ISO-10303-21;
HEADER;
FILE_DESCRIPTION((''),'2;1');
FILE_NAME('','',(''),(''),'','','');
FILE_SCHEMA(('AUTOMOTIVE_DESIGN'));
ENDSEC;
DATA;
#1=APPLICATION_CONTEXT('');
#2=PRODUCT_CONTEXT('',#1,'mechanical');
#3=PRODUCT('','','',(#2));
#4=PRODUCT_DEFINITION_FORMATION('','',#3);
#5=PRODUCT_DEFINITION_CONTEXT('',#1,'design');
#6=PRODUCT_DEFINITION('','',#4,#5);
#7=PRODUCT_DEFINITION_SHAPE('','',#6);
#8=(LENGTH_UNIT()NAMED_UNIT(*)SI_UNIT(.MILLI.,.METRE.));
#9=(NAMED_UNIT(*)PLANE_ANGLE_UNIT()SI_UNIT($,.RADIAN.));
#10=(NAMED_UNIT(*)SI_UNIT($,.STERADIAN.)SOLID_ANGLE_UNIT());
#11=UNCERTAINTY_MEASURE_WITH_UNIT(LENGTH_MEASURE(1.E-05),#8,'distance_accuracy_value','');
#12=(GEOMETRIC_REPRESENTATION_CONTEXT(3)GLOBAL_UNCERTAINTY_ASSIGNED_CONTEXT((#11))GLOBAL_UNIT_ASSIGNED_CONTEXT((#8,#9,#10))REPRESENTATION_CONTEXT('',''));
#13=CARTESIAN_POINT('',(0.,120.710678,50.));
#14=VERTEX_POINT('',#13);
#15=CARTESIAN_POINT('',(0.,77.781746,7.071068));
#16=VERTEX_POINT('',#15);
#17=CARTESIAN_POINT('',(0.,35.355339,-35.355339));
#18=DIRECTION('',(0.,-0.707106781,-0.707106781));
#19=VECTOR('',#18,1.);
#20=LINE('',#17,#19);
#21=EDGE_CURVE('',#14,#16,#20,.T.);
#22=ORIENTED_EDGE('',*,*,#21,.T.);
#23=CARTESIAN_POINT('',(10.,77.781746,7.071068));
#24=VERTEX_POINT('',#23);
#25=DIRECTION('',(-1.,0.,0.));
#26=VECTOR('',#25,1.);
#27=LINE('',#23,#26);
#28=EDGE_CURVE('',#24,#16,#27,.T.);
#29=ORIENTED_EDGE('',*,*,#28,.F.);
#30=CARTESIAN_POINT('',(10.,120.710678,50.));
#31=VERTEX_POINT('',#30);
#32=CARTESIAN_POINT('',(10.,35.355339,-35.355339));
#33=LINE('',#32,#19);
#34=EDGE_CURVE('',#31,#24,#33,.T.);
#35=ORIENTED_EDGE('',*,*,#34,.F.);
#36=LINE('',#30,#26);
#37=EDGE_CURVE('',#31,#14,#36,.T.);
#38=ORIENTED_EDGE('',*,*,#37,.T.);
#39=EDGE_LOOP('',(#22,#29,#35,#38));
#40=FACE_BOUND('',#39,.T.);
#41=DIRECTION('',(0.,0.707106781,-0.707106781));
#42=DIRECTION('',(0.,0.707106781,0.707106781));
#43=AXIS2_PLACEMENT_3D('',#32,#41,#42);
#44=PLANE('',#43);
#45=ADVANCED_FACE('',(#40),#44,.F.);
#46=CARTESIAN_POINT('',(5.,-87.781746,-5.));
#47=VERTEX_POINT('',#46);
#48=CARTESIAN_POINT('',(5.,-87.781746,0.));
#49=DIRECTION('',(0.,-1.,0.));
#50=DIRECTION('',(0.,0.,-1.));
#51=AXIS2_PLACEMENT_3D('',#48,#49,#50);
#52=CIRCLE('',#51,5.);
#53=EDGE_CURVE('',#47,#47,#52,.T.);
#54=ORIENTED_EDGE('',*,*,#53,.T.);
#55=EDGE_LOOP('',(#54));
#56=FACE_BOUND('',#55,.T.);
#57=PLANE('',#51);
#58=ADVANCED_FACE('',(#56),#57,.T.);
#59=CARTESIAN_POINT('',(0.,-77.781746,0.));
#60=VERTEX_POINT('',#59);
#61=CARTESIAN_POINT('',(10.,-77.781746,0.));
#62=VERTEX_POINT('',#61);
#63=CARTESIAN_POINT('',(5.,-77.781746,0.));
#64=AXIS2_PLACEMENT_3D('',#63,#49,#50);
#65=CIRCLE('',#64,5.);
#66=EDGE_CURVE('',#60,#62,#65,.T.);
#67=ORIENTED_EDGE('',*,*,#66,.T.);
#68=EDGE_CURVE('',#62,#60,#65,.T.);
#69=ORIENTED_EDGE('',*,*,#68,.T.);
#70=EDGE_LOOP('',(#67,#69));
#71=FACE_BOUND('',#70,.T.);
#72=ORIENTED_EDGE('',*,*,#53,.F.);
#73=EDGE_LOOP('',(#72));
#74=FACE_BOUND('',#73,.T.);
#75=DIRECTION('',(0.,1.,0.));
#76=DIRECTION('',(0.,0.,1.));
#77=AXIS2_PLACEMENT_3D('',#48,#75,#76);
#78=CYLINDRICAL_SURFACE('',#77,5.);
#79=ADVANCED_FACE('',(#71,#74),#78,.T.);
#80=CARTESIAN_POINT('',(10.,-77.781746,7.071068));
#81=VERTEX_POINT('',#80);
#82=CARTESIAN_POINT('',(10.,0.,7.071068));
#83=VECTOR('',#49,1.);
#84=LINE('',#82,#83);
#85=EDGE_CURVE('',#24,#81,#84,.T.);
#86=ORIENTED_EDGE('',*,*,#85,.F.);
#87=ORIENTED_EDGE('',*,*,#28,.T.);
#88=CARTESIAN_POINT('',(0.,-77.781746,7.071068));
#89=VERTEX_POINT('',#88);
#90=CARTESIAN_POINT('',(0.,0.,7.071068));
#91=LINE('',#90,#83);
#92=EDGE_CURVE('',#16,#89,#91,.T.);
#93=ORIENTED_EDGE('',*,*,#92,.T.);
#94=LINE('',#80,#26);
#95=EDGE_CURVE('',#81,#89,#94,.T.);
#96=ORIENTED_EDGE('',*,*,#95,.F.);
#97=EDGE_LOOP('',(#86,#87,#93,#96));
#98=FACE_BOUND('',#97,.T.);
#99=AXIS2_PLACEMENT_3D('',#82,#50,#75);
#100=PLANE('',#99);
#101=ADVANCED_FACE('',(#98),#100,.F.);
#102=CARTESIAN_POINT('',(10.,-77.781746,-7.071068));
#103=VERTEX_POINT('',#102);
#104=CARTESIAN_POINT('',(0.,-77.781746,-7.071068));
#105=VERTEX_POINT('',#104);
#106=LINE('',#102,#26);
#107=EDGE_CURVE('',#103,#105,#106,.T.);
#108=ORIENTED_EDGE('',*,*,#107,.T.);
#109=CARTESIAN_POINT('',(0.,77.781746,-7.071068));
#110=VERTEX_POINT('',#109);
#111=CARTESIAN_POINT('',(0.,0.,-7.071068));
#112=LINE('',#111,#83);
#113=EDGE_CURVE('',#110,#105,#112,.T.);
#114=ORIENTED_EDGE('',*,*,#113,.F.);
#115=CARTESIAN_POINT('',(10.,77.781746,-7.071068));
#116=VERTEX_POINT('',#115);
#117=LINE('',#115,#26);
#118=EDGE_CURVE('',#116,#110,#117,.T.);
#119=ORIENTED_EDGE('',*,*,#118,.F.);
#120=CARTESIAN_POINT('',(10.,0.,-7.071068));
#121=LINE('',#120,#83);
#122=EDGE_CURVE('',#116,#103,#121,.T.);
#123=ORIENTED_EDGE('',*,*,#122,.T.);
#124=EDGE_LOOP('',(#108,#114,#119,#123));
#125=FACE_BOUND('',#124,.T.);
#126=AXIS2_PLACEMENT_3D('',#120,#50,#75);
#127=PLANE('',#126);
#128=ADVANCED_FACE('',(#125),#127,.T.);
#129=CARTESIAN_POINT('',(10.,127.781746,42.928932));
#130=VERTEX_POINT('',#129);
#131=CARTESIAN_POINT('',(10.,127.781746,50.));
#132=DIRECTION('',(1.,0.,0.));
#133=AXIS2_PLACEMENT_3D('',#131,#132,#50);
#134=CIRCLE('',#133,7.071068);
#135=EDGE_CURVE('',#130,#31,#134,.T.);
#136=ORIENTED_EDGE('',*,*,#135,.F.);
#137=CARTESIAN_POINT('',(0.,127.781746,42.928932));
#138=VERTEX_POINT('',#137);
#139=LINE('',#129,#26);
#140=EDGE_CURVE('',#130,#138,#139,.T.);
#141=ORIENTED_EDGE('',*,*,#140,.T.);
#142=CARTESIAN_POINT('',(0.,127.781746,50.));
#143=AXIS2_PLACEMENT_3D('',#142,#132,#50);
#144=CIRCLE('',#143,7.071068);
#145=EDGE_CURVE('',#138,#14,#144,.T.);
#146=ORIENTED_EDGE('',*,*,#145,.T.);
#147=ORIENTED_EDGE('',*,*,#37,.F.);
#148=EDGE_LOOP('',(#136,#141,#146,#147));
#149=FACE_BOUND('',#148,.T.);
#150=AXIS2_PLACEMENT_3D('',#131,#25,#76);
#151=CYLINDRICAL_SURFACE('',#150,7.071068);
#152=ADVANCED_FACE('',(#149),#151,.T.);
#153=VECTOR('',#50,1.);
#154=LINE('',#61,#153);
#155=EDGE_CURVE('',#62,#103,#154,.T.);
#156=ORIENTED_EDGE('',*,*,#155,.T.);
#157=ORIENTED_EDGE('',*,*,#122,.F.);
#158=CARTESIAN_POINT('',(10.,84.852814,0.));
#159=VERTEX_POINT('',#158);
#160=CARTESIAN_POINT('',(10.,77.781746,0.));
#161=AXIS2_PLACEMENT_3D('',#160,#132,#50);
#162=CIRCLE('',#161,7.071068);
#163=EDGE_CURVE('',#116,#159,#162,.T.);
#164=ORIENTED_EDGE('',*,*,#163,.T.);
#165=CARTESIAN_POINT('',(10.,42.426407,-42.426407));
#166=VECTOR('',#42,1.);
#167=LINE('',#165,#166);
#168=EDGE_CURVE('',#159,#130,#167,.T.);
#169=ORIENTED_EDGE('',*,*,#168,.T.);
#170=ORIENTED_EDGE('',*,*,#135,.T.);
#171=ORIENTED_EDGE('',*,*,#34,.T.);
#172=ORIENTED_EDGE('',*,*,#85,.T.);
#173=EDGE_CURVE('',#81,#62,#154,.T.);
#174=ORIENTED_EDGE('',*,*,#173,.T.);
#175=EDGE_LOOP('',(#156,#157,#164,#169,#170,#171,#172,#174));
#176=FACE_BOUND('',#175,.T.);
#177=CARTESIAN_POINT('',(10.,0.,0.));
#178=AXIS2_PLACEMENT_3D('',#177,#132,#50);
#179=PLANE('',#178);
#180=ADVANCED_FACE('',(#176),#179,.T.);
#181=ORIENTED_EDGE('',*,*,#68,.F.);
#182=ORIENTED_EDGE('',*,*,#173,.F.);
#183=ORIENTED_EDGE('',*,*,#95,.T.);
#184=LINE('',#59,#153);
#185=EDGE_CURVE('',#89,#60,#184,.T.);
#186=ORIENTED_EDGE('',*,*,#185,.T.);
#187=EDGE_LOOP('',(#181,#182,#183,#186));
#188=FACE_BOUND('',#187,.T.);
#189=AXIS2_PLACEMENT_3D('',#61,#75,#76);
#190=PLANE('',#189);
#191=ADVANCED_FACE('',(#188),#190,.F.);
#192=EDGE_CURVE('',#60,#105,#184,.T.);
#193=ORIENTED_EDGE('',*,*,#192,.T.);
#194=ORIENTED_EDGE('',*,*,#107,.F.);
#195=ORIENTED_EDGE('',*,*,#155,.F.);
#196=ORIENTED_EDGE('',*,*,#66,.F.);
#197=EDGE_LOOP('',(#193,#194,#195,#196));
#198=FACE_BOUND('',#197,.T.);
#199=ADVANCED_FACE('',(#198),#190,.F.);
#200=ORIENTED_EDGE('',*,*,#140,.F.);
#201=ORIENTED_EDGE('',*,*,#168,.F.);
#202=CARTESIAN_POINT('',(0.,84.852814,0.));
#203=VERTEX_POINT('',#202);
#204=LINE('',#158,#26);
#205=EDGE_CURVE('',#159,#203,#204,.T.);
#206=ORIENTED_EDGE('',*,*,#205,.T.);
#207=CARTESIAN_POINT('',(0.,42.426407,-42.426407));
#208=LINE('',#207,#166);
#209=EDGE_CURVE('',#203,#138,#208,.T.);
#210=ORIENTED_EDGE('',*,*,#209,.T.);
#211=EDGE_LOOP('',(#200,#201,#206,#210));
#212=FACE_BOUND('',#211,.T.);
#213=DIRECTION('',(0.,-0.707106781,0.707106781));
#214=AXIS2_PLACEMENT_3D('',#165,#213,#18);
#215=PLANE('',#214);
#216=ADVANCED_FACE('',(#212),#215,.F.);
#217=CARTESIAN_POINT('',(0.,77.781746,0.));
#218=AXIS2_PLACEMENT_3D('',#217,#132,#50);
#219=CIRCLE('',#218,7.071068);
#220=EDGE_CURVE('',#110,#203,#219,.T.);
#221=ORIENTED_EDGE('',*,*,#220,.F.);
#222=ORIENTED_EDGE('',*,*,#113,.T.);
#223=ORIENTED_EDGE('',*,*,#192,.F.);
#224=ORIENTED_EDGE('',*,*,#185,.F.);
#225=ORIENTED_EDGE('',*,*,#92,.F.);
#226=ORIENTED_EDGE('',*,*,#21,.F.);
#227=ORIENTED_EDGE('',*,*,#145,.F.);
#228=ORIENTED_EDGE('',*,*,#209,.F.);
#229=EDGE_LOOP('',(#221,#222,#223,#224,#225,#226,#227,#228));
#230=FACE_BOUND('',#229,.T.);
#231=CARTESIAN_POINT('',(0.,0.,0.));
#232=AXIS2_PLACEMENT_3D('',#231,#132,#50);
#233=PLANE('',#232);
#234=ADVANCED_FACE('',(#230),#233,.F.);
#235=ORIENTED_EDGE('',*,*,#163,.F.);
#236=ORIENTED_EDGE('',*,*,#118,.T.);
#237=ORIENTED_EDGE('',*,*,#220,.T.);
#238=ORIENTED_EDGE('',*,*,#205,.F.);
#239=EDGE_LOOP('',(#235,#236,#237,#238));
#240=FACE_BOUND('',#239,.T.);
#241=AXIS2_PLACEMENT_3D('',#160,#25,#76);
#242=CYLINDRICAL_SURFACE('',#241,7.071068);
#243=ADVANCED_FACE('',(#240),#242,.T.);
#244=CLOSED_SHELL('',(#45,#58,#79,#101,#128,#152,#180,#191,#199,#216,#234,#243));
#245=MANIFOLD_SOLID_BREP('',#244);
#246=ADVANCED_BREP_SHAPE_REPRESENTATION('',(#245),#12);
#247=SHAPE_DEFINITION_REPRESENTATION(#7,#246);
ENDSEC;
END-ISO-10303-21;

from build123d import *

# Parameters (mm, degrees)
EXTRUDE_2_DEPTH = 10
SKETCH_3_R      = 5
EXTRUDE_3_DEPTH = 10


with BuildPart() as part:
    # 草图1 → 凸台-拉伸2 (new body)
    with BuildSketch(Plane(origin=(0, 0, 0), x_dir=(0, 0, -1), z_dir=(1, 0, 0))):
        with BuildLine():
            Line((-7.071067812, 77.781745931), (-7.071067812, -77.781745931))
            Line((-7.071067812, -77.781745931), (7.071067812, -77.781745931))
            Line((7.071067812, -77.781745931), (7.071067812, 77.781745931))
            ThreePointArc((7.071067812, 77.781745931), (5, 82.781745931), (0, 84.852813742))
            Line((0, 84.852813742), (-42.928932188, 127.781745931))
            ThreePointArc((-42.928932188, 127.781745931), (-55, 132.781745931), (-50, 120.710678119))
            Line((-50, 120.710678119), (-7.071067812, 77.781745931))
        make_face()
    extrude(amount=EXTRUDE_2_DEPTH)

    # 草图3 → 凸台-拉伸3 (add)
    with BuildSketch(Plane.XZ.offset(77.781745931)):
        with Locations(Location((5, 0, 0), (0, 0, 180))):
            Circle(SKETCH_3_R)
    extrude(amount=EXTRUDE_3_DEPTH)


solid = part.part
